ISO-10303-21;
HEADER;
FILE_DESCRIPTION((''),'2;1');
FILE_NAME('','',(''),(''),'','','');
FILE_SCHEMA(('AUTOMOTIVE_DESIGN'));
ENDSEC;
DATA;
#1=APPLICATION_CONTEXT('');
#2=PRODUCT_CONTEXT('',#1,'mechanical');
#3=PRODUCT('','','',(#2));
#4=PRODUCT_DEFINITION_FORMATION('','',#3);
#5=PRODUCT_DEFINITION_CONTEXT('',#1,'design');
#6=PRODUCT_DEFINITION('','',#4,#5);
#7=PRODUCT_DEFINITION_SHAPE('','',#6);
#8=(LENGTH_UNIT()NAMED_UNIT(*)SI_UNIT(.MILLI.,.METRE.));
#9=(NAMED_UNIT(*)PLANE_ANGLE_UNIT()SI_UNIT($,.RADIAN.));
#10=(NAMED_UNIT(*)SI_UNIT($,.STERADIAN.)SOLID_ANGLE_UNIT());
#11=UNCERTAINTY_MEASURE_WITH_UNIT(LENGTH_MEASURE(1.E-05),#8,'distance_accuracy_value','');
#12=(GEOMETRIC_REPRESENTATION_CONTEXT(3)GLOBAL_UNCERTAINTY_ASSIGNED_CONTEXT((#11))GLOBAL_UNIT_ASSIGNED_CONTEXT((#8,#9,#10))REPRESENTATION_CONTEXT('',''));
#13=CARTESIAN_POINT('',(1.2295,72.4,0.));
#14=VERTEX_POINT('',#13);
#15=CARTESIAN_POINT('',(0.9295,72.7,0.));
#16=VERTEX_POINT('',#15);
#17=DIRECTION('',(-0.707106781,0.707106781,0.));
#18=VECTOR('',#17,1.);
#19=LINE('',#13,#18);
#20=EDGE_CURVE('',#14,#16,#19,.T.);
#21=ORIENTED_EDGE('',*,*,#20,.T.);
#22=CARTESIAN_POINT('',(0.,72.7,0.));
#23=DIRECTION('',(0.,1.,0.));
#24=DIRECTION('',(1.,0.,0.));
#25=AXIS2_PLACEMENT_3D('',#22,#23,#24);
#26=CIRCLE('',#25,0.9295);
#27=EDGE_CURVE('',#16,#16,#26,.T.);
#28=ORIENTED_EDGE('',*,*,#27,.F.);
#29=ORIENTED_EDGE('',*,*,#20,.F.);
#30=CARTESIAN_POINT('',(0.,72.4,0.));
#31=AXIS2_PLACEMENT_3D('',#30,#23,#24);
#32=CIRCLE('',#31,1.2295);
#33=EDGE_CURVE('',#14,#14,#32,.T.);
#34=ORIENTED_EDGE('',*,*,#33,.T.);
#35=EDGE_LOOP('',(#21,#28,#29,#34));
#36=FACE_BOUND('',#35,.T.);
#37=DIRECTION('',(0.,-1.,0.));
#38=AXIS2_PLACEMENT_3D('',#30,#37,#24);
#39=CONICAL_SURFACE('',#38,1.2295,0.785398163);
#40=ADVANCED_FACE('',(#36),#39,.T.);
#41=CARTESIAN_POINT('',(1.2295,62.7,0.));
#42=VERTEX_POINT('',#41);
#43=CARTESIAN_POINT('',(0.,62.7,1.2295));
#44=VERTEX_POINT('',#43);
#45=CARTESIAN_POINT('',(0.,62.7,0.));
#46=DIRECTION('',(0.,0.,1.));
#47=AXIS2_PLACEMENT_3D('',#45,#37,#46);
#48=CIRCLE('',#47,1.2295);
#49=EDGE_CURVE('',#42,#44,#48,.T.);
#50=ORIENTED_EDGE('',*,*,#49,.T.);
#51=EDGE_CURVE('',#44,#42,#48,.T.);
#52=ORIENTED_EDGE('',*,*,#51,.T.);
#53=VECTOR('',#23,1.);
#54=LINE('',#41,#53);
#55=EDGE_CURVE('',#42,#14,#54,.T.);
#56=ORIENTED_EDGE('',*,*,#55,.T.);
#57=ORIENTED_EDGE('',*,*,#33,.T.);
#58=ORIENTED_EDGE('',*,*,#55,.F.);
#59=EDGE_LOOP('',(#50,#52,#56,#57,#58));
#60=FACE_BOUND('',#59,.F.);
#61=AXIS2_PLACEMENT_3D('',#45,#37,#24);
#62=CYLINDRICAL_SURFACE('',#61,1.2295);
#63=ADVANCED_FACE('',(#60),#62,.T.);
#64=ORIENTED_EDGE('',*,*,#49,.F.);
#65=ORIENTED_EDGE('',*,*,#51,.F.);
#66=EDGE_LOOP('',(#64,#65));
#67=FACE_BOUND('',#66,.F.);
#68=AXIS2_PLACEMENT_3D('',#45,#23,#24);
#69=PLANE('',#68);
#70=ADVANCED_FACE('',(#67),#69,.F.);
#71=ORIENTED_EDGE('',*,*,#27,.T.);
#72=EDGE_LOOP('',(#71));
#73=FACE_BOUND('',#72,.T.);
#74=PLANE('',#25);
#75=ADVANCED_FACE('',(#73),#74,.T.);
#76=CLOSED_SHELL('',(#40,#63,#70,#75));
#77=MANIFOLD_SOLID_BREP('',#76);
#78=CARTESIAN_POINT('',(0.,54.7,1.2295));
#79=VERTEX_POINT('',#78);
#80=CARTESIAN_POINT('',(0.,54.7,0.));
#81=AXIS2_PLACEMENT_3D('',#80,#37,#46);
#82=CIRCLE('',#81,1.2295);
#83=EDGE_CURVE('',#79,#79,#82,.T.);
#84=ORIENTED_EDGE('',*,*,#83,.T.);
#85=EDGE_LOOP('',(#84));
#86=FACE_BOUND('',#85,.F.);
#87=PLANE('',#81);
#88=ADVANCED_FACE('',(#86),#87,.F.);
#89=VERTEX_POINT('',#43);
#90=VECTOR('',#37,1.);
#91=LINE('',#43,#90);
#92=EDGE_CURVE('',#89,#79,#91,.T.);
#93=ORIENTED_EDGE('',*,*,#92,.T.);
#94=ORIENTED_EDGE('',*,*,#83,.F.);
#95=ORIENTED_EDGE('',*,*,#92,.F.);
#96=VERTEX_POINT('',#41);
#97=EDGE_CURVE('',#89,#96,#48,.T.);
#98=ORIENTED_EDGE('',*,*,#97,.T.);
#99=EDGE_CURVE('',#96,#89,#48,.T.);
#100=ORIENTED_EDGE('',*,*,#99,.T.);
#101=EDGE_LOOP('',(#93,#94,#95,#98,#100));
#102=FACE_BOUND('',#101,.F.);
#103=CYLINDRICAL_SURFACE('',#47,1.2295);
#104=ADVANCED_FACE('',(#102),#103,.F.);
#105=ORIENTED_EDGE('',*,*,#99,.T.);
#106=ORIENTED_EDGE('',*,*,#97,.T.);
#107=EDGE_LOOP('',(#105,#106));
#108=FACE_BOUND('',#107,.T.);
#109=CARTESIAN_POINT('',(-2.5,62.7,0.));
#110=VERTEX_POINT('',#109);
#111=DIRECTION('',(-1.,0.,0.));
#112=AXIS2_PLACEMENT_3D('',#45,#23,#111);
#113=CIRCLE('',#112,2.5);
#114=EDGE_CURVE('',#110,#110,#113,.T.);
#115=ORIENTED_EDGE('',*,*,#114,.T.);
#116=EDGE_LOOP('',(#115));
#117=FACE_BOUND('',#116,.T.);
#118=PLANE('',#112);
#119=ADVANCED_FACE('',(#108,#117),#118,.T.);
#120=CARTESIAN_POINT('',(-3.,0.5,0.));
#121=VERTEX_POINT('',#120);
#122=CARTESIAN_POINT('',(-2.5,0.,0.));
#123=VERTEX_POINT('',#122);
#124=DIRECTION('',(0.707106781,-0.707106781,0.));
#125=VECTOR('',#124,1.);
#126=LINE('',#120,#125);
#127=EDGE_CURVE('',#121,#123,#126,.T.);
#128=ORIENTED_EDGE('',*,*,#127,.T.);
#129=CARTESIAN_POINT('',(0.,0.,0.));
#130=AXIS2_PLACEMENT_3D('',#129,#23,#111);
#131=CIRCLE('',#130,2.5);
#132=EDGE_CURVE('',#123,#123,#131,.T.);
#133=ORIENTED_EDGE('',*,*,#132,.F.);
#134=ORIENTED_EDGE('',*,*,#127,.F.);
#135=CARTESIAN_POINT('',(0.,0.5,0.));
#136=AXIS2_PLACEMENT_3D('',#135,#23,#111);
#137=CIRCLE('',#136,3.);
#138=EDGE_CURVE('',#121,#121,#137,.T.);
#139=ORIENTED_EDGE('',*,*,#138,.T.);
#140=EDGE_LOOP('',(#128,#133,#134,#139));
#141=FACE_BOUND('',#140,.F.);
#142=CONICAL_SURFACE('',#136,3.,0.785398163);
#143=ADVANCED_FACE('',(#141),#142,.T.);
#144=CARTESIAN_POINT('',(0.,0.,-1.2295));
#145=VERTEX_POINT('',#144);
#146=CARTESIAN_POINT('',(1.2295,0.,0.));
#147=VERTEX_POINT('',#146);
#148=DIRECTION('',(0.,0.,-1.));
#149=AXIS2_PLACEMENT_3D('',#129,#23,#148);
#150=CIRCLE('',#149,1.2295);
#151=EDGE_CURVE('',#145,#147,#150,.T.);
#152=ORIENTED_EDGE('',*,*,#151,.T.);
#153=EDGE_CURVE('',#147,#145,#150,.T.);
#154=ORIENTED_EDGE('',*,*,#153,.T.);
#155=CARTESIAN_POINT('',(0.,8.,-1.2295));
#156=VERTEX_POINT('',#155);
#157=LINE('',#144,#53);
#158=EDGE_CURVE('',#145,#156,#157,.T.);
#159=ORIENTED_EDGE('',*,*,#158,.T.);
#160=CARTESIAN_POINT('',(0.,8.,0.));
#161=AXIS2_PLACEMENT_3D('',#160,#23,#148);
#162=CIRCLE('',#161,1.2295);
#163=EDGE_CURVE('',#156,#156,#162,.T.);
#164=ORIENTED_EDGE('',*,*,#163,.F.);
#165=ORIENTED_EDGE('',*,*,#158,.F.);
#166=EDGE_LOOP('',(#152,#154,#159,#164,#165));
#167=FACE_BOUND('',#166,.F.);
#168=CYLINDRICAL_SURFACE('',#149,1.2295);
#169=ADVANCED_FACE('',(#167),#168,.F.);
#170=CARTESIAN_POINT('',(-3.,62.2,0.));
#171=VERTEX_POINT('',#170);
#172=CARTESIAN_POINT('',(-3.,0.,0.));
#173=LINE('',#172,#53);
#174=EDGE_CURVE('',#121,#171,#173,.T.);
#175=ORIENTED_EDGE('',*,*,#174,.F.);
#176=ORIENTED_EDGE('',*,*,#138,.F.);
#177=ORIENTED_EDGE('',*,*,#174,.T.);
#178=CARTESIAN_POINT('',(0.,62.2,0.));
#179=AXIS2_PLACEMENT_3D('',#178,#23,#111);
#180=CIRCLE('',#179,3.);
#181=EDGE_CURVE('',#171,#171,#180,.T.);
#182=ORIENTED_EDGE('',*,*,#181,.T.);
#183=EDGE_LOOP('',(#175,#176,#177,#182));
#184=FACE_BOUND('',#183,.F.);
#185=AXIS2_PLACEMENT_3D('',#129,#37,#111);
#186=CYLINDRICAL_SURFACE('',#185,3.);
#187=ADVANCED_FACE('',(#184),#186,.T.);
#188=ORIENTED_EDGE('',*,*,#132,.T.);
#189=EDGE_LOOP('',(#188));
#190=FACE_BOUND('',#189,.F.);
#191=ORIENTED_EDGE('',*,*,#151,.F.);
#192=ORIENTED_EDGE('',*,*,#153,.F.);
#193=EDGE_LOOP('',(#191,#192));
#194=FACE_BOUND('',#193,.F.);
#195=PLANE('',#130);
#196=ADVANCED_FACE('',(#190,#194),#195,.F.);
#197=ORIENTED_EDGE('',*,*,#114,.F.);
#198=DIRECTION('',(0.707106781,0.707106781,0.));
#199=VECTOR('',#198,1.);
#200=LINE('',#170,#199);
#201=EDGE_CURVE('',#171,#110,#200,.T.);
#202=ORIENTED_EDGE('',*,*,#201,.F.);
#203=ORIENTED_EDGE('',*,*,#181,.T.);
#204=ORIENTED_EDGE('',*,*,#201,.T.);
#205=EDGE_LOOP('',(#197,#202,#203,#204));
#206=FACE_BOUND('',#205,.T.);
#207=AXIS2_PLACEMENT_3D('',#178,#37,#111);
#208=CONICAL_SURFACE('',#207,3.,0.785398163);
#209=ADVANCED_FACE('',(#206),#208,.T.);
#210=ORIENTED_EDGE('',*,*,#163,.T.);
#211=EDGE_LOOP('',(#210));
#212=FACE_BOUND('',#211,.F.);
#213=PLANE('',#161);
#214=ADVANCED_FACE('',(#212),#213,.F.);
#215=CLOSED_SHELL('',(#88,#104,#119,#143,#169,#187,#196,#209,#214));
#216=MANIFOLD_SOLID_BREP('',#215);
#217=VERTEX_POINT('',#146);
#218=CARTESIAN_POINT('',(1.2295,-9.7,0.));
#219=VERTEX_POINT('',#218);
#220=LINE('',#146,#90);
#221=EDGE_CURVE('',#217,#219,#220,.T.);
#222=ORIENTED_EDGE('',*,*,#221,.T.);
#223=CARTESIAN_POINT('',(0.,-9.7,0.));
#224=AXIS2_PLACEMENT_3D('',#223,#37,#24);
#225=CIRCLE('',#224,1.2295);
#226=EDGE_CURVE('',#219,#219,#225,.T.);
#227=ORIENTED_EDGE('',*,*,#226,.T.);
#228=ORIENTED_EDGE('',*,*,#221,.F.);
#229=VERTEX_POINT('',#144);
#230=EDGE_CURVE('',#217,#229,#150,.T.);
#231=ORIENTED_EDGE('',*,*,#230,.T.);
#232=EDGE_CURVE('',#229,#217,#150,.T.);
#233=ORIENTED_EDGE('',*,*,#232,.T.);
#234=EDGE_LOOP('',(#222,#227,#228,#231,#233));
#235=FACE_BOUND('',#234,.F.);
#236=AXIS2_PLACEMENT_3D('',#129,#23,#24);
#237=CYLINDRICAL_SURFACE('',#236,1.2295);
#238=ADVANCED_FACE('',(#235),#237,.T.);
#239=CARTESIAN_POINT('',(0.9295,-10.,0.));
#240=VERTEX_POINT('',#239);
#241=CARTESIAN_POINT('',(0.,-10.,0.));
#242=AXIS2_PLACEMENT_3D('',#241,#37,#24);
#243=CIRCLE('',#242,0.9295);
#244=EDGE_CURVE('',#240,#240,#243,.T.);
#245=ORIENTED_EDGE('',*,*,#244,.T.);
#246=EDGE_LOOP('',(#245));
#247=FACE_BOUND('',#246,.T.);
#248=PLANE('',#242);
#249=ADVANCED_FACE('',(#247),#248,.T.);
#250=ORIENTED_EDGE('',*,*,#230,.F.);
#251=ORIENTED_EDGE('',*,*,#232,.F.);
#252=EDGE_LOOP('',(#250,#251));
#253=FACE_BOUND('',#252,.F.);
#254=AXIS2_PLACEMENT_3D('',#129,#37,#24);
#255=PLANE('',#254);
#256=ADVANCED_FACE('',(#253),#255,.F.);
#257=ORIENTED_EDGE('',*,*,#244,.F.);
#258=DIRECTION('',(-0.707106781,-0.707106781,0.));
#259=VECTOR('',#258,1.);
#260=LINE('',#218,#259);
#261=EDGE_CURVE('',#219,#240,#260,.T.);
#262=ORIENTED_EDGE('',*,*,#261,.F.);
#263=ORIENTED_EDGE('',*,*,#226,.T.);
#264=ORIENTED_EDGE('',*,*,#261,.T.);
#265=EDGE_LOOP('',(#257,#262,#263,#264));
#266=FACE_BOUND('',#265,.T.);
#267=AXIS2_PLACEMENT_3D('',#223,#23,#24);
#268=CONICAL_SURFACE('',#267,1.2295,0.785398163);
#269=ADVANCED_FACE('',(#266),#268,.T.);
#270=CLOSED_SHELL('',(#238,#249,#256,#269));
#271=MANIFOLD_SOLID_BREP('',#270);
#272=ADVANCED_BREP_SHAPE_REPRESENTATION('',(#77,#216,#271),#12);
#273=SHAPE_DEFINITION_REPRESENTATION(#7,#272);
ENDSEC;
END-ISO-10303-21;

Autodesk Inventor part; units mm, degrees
ref_plane "YZ Plane" through (0, 0, 0) normal (1, 0, 0) x (0, 1, 0)
ref_plane "XZ Plane" through (0, 0, 0) normal (0, 1, 0) x (-1, 0, 0)
ref_plane "XY Plane" through (0, 0, 0) normal (0, 0, 1) x (1, 0, 0)
sketch "Sketch1" plane through (0, 0, 0) normal (0, 1, 0) x (-1, 0, 0)
  circle A0 centre (0, 0) radius 3
  dimension "d0" = 6
extrude "Extrusion1" add sketch "Sketch1" along normal blind 62.7
sketch "Sketch2" plane through (0, 62.7, 0) normal (0, 1, 0) x (1, 0, 0)
  circle A0 centre (0, 0) radius 3 projected
hole "Hole1" at (0, 62.7, 0) direction (0, -1, 0) diameter 2.459 depth 8 thread size "M3x0.5" class "6H" standard "ISO Metric profile"
sketch "Sketch3" plane through (0, 0, 0) normal (0, -1, 0) x (1, 0, 0)
  circle A0 centre (0, 0) radius 3 projected
hole "Hole2" at (0, 0, 0) direction (0, 1, 0) diameter 2.459 depth 8 thread size "M3x0.5" class "6H" standard "ISO Metric profile"
chamfer "Chamfer1" distance 0.5 angle 45 2 edges at (3, 0, 0) (3, 62.7, 0)
sketch "Sketch4" plane through (0, 0, 0) normal (0, -1, 0) x (1, 0, 0)
  circle A0 centre (0, 0) radius 1.2295 projected
extrude "Extrusion2" add sketch "Sketch4" along normal blind 10
sketch "Sketch5" plane through (0, 62.7, 0) normal (0, 1, 0) x (1, 0, 0)
  circle A0 centre (0, 0) radius 1.2295 projected
extrude "Extrusion3" add sketch "Sketch5" along normal blind 10
thread "Thread1" size "M4x0.7" class "6g" standard "ANSI Metric M Profile" full length
chamfer "Chamfer2" distance 0.3 angle 45 1 edges at (-1.2295, 72.7, 0)
thread "Thread2" size "M4x0.7" class "6g" standard "ANSI Metric M Profile" full length
chamfer "Chamfer3" distance 0.3 angle 45 1 edges at (-1.2295, -10, 0)
properties part number "hridel2"
